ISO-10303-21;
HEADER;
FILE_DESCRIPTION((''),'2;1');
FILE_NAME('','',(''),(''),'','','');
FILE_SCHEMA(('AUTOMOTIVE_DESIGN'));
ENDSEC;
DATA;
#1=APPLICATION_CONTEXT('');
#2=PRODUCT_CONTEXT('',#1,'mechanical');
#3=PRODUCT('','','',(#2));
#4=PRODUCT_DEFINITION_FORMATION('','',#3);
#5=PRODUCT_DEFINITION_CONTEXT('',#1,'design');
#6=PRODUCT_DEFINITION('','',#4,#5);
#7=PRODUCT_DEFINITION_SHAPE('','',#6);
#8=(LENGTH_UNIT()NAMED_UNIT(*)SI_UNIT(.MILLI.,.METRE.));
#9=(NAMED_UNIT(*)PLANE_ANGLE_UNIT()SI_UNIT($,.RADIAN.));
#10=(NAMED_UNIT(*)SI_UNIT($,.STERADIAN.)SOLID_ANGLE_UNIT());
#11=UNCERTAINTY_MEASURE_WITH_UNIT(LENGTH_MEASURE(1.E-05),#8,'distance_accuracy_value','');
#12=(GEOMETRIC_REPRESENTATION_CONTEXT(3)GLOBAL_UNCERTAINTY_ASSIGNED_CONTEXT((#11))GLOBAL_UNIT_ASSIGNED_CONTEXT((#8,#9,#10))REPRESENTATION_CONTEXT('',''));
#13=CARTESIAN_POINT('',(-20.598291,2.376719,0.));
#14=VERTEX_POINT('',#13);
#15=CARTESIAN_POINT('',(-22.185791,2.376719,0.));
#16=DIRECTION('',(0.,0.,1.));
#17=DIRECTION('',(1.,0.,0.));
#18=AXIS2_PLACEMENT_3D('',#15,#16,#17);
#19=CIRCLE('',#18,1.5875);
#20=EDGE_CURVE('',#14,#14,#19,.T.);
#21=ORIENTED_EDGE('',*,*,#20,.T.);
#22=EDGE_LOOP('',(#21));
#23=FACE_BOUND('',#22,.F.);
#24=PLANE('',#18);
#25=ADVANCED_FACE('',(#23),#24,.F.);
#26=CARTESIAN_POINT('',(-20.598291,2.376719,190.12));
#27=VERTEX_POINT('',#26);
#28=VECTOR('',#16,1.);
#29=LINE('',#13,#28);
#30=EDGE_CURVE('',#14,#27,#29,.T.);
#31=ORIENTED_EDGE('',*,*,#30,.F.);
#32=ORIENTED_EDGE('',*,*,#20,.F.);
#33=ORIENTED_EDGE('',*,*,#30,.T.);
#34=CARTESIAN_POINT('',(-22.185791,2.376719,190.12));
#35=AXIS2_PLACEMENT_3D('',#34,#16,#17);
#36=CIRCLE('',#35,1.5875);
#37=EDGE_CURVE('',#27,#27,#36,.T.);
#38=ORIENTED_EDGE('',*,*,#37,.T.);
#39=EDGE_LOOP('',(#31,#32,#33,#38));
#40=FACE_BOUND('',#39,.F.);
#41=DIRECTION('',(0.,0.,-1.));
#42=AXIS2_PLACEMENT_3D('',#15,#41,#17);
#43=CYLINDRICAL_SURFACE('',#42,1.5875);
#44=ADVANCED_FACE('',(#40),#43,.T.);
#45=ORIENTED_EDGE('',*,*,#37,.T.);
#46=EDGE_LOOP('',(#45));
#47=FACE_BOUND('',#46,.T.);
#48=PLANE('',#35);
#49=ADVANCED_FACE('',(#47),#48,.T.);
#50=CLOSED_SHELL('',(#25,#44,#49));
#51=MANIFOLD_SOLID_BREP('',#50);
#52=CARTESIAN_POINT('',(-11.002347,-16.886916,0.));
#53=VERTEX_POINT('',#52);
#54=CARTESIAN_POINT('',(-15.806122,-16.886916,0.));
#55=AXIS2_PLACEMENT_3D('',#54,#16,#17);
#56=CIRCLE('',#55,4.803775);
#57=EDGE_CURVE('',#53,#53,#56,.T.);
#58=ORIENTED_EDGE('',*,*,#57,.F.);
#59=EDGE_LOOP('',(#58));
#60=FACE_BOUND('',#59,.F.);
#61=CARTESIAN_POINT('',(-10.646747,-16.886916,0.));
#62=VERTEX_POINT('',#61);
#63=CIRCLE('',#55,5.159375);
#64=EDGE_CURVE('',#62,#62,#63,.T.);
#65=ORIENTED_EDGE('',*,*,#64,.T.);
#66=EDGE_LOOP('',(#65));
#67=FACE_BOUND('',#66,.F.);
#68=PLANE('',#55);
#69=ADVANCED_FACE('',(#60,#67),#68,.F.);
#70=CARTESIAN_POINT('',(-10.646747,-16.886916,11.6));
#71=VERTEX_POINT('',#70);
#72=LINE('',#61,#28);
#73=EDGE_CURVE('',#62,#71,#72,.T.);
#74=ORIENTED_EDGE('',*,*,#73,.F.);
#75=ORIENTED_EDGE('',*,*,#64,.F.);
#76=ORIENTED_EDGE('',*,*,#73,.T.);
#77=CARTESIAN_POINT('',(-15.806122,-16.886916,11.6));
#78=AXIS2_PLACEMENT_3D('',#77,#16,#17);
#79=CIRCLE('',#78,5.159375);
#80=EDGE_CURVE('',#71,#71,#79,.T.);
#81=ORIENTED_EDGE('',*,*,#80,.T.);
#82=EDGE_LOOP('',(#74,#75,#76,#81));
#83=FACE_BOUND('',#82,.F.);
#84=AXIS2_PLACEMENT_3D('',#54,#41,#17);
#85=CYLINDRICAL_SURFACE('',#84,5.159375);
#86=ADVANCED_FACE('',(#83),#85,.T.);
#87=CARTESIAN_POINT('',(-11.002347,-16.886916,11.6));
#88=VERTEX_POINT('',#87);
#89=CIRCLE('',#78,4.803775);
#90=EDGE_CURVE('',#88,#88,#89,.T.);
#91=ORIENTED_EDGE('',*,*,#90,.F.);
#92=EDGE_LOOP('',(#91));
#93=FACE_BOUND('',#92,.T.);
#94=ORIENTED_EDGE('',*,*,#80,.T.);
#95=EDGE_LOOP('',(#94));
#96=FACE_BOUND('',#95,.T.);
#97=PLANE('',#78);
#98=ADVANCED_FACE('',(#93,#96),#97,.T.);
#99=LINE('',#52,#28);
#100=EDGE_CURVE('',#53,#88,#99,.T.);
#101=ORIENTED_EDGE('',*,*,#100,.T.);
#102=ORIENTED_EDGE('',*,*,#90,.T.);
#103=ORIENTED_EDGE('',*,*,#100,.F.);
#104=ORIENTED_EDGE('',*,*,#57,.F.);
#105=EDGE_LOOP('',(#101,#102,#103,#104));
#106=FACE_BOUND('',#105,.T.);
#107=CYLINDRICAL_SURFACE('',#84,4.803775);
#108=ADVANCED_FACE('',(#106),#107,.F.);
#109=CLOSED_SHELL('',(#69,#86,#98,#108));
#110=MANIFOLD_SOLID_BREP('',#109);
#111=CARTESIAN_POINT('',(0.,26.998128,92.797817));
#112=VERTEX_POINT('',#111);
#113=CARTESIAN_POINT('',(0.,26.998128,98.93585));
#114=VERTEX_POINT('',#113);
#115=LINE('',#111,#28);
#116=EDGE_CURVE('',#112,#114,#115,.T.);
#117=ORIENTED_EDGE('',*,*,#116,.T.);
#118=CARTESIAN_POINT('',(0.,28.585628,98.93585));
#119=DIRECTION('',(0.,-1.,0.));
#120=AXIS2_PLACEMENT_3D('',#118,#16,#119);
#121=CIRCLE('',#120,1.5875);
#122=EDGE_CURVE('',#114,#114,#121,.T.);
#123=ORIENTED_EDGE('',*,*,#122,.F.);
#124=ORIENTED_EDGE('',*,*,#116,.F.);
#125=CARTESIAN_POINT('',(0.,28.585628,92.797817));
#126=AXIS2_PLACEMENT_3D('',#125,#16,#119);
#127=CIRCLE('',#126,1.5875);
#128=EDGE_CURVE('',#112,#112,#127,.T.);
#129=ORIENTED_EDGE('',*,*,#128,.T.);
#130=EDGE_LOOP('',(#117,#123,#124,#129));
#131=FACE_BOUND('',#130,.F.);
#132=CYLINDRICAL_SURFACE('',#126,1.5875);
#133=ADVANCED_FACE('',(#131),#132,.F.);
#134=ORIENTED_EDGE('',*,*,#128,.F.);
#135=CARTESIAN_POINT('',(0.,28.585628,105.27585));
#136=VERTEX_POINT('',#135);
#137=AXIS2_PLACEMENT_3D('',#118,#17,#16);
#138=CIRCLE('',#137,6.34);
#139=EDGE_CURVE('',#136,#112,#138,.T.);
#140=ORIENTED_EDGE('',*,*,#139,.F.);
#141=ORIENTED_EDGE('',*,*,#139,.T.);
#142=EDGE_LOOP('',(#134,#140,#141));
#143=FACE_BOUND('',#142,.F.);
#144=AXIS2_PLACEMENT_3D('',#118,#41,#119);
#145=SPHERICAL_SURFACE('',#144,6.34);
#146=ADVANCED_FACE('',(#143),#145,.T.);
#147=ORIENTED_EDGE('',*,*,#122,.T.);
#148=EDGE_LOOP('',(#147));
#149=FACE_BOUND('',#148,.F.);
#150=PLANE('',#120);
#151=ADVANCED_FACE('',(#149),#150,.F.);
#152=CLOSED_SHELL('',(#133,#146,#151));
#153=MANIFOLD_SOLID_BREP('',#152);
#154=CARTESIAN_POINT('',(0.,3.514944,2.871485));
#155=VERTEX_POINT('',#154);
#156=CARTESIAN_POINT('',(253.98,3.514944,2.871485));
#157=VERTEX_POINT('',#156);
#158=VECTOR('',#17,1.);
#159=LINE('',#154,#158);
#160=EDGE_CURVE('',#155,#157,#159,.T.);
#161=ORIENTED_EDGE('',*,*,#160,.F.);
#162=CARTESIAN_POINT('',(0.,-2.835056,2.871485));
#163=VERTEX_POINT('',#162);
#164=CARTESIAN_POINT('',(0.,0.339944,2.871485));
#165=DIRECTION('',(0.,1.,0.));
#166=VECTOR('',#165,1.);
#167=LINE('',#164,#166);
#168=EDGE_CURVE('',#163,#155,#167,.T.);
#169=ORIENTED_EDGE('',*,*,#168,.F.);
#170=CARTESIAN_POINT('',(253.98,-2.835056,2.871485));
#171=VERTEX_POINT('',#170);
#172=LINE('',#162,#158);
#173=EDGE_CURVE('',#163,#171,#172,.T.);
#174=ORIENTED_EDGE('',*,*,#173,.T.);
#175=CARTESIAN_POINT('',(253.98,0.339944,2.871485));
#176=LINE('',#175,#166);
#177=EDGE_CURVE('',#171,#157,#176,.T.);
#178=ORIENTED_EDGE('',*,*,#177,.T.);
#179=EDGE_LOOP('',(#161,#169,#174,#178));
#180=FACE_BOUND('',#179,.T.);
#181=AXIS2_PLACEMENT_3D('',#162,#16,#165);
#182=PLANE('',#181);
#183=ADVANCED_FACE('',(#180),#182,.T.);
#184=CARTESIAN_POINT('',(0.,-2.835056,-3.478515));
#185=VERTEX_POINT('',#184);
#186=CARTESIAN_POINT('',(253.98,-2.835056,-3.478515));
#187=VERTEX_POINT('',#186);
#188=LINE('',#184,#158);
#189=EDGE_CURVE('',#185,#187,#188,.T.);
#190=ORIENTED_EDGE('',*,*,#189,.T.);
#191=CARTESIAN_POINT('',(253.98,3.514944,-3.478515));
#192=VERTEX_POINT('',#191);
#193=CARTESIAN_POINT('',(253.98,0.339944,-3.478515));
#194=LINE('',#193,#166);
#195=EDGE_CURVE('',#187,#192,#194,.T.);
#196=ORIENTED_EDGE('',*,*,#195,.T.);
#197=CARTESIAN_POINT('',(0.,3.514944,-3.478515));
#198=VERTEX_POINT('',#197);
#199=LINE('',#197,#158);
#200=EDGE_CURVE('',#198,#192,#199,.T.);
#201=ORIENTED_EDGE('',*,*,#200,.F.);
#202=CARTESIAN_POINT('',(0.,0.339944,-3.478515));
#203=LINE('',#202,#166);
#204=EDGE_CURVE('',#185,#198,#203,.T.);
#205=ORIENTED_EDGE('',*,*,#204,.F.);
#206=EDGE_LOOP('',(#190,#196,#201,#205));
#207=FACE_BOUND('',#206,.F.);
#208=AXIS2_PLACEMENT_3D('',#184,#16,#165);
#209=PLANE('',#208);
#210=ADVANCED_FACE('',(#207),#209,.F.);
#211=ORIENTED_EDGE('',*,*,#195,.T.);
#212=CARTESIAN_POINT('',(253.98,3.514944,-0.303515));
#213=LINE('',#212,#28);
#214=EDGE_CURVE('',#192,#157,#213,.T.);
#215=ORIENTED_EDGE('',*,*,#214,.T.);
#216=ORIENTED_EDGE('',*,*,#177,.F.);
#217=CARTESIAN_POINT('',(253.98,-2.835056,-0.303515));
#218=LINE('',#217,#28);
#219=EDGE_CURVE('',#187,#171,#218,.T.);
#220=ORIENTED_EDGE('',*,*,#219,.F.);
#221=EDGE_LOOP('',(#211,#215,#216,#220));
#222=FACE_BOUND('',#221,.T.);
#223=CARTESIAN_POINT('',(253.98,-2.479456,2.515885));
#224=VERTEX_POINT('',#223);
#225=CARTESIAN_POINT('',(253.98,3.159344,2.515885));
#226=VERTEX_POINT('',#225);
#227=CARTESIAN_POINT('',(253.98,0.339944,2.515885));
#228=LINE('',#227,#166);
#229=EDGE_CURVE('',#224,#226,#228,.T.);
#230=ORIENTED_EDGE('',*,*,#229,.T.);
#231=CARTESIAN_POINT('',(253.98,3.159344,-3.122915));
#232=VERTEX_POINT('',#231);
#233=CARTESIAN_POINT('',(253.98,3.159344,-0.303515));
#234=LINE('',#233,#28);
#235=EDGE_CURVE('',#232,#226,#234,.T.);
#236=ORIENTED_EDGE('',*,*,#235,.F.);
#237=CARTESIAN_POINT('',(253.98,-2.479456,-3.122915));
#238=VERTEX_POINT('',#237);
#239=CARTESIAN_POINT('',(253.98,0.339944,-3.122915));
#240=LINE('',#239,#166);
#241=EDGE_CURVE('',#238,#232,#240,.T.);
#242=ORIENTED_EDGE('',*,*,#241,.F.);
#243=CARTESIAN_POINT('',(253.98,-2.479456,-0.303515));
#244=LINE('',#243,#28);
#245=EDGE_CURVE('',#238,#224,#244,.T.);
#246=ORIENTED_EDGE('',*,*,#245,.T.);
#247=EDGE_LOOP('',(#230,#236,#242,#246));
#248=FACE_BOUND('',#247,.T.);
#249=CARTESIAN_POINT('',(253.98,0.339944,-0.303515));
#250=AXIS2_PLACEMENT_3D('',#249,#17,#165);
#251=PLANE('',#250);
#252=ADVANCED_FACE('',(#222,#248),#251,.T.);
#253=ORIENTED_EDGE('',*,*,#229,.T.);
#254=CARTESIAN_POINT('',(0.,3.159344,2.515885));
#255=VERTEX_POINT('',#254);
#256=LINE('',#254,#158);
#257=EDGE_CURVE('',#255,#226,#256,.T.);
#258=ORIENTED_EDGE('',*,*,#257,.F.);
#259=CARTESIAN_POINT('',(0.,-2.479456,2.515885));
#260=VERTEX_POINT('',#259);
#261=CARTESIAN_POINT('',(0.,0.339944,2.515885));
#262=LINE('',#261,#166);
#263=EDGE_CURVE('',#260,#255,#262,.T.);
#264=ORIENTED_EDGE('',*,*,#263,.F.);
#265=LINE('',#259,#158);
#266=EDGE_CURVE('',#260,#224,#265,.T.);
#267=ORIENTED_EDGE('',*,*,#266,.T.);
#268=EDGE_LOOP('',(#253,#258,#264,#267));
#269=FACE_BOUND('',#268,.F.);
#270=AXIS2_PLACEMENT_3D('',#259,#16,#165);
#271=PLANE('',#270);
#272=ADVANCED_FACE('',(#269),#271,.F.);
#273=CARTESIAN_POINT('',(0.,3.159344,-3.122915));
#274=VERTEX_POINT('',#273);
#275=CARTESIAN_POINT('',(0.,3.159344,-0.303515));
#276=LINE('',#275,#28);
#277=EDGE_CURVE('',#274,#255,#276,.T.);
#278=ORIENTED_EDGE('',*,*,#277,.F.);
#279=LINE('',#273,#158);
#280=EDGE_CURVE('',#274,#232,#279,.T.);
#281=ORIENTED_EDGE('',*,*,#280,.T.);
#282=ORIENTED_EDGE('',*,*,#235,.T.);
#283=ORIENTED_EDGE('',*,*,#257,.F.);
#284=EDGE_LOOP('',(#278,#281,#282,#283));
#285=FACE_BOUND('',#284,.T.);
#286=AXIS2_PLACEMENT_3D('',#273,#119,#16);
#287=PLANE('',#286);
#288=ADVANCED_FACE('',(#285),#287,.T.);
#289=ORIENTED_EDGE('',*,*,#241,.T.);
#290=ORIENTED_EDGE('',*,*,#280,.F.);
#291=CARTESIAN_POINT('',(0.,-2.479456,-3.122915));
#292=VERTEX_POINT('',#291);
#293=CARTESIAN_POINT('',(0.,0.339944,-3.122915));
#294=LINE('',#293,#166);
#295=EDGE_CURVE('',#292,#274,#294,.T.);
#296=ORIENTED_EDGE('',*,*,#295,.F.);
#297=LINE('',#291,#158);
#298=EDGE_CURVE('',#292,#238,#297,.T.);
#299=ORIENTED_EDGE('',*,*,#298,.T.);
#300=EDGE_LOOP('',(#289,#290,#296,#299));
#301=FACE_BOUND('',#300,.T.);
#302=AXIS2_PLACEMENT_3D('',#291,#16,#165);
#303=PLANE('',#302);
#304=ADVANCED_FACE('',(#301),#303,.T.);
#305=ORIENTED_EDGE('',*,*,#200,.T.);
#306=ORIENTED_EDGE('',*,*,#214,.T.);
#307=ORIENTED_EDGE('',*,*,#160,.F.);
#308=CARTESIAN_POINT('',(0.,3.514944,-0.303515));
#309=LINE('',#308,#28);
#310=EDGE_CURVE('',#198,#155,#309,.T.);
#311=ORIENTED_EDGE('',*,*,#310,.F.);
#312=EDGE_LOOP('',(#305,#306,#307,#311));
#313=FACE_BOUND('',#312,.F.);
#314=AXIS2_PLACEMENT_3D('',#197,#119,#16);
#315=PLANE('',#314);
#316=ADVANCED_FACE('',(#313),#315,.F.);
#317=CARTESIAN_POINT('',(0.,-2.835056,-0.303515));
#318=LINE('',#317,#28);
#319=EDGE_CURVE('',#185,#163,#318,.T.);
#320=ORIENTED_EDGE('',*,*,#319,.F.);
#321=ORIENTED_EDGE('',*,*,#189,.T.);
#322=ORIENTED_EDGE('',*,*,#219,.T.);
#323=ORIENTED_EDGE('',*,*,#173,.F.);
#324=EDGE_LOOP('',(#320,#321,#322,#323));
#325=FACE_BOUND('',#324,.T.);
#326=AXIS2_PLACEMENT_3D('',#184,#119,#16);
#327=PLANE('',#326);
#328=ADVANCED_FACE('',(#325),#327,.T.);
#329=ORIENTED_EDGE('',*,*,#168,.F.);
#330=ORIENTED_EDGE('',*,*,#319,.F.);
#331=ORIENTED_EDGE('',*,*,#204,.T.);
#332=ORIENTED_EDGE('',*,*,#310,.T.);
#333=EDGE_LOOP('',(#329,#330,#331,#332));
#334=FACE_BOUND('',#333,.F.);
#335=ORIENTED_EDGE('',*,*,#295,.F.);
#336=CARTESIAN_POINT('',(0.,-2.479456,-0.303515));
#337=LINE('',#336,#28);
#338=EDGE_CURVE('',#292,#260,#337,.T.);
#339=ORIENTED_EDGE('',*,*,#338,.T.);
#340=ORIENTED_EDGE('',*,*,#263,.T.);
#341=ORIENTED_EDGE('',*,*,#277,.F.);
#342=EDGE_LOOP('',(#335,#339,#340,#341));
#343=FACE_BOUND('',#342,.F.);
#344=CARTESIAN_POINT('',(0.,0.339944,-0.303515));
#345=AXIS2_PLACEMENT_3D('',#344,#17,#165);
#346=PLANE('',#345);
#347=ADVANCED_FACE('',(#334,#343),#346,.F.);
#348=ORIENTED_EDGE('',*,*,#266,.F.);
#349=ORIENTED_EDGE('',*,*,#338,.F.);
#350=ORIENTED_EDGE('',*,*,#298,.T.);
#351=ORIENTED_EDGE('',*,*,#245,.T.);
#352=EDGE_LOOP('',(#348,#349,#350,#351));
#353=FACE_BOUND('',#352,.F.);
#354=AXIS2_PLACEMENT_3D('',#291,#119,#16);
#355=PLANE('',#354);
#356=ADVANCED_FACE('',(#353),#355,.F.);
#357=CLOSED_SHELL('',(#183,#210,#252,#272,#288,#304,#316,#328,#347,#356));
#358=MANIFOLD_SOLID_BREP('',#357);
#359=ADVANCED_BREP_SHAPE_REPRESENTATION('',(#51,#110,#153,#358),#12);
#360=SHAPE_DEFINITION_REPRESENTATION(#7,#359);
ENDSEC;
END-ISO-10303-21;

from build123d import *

# Parameters (mm, degrees)
F4_W     = 6.35
F4_H     = 6.35
F4_W_2   = 5.6388
F4_H_2   = 5.6388
F5_DEPTH = 253.98
F6_R     = 1.5875
F7_DEPTH = 190.12
F8_R     = 5.159375
F8_R_2   = 4.803775
F9_DEPTH = 11.6


with BuildPart() as f3:
    # F2 (on Right) → F3 (revolve)
    with BuildSketch(Plane.YZ):
        with BuildLine():
            Line((28.5856276751, 98.9358499646), (28.5856276751, 105.2758499646))
            ThreePointArc((28.5856276751, 105.2758499646), (22.2963222105, 99.7359979346), (26.9981276751, 92.7978174012))
            Line((26.9981276751, 92.7978174012), (26.9981276751, 98.9358499646))
            Line((26.9981276751, 98.9358499646), (28.5856276751, 98.9358499646))
        make_face()
    revolve(axis=Axis((0, 28.5856276751, 102.1058499646), (0, 0, 1)))


with BuildPart() as f5:
    # F4 (on Right) → F5 (new body)
    with BuildSketch(Plane.YZ):
        with Locations((0.3399441484, -0.3035154659)):
            Rectangle(F4_W, F4_H)
        with Locations((0.3399441484, -0.3035154659)):
            Rectangle(F4_W_2, F4_H_2, mode=Mode.SUBTRACT)
    extrude(amount=F5_DEPTH)


with BuildPart() as f7:
    # F6 (on Top) → F7 (new body)
    with BuildSketch(Plane.XY):
        with Locations((-22.1857912838, 2.3767193779)):
            Circle(F6_R)
    extrude(amount=F7_DEPTH)


with BuildPart() as f9:
    # F8 (on Top) → F9 (new body)
    with BuildSketch(Plane.XY):
        with Locations((-15.8061217517, -16.8869160116)):
            Circle(F8_R)
        with Locations((-15.8061217517, -16.8869160116)):
            Circle(F8_R_2, mode=Mode.SUBTRACT)
    extrude(amount=F9_DEPTH)


solid = Compound([f3.part, f5.part, f7.part, f9.part])
